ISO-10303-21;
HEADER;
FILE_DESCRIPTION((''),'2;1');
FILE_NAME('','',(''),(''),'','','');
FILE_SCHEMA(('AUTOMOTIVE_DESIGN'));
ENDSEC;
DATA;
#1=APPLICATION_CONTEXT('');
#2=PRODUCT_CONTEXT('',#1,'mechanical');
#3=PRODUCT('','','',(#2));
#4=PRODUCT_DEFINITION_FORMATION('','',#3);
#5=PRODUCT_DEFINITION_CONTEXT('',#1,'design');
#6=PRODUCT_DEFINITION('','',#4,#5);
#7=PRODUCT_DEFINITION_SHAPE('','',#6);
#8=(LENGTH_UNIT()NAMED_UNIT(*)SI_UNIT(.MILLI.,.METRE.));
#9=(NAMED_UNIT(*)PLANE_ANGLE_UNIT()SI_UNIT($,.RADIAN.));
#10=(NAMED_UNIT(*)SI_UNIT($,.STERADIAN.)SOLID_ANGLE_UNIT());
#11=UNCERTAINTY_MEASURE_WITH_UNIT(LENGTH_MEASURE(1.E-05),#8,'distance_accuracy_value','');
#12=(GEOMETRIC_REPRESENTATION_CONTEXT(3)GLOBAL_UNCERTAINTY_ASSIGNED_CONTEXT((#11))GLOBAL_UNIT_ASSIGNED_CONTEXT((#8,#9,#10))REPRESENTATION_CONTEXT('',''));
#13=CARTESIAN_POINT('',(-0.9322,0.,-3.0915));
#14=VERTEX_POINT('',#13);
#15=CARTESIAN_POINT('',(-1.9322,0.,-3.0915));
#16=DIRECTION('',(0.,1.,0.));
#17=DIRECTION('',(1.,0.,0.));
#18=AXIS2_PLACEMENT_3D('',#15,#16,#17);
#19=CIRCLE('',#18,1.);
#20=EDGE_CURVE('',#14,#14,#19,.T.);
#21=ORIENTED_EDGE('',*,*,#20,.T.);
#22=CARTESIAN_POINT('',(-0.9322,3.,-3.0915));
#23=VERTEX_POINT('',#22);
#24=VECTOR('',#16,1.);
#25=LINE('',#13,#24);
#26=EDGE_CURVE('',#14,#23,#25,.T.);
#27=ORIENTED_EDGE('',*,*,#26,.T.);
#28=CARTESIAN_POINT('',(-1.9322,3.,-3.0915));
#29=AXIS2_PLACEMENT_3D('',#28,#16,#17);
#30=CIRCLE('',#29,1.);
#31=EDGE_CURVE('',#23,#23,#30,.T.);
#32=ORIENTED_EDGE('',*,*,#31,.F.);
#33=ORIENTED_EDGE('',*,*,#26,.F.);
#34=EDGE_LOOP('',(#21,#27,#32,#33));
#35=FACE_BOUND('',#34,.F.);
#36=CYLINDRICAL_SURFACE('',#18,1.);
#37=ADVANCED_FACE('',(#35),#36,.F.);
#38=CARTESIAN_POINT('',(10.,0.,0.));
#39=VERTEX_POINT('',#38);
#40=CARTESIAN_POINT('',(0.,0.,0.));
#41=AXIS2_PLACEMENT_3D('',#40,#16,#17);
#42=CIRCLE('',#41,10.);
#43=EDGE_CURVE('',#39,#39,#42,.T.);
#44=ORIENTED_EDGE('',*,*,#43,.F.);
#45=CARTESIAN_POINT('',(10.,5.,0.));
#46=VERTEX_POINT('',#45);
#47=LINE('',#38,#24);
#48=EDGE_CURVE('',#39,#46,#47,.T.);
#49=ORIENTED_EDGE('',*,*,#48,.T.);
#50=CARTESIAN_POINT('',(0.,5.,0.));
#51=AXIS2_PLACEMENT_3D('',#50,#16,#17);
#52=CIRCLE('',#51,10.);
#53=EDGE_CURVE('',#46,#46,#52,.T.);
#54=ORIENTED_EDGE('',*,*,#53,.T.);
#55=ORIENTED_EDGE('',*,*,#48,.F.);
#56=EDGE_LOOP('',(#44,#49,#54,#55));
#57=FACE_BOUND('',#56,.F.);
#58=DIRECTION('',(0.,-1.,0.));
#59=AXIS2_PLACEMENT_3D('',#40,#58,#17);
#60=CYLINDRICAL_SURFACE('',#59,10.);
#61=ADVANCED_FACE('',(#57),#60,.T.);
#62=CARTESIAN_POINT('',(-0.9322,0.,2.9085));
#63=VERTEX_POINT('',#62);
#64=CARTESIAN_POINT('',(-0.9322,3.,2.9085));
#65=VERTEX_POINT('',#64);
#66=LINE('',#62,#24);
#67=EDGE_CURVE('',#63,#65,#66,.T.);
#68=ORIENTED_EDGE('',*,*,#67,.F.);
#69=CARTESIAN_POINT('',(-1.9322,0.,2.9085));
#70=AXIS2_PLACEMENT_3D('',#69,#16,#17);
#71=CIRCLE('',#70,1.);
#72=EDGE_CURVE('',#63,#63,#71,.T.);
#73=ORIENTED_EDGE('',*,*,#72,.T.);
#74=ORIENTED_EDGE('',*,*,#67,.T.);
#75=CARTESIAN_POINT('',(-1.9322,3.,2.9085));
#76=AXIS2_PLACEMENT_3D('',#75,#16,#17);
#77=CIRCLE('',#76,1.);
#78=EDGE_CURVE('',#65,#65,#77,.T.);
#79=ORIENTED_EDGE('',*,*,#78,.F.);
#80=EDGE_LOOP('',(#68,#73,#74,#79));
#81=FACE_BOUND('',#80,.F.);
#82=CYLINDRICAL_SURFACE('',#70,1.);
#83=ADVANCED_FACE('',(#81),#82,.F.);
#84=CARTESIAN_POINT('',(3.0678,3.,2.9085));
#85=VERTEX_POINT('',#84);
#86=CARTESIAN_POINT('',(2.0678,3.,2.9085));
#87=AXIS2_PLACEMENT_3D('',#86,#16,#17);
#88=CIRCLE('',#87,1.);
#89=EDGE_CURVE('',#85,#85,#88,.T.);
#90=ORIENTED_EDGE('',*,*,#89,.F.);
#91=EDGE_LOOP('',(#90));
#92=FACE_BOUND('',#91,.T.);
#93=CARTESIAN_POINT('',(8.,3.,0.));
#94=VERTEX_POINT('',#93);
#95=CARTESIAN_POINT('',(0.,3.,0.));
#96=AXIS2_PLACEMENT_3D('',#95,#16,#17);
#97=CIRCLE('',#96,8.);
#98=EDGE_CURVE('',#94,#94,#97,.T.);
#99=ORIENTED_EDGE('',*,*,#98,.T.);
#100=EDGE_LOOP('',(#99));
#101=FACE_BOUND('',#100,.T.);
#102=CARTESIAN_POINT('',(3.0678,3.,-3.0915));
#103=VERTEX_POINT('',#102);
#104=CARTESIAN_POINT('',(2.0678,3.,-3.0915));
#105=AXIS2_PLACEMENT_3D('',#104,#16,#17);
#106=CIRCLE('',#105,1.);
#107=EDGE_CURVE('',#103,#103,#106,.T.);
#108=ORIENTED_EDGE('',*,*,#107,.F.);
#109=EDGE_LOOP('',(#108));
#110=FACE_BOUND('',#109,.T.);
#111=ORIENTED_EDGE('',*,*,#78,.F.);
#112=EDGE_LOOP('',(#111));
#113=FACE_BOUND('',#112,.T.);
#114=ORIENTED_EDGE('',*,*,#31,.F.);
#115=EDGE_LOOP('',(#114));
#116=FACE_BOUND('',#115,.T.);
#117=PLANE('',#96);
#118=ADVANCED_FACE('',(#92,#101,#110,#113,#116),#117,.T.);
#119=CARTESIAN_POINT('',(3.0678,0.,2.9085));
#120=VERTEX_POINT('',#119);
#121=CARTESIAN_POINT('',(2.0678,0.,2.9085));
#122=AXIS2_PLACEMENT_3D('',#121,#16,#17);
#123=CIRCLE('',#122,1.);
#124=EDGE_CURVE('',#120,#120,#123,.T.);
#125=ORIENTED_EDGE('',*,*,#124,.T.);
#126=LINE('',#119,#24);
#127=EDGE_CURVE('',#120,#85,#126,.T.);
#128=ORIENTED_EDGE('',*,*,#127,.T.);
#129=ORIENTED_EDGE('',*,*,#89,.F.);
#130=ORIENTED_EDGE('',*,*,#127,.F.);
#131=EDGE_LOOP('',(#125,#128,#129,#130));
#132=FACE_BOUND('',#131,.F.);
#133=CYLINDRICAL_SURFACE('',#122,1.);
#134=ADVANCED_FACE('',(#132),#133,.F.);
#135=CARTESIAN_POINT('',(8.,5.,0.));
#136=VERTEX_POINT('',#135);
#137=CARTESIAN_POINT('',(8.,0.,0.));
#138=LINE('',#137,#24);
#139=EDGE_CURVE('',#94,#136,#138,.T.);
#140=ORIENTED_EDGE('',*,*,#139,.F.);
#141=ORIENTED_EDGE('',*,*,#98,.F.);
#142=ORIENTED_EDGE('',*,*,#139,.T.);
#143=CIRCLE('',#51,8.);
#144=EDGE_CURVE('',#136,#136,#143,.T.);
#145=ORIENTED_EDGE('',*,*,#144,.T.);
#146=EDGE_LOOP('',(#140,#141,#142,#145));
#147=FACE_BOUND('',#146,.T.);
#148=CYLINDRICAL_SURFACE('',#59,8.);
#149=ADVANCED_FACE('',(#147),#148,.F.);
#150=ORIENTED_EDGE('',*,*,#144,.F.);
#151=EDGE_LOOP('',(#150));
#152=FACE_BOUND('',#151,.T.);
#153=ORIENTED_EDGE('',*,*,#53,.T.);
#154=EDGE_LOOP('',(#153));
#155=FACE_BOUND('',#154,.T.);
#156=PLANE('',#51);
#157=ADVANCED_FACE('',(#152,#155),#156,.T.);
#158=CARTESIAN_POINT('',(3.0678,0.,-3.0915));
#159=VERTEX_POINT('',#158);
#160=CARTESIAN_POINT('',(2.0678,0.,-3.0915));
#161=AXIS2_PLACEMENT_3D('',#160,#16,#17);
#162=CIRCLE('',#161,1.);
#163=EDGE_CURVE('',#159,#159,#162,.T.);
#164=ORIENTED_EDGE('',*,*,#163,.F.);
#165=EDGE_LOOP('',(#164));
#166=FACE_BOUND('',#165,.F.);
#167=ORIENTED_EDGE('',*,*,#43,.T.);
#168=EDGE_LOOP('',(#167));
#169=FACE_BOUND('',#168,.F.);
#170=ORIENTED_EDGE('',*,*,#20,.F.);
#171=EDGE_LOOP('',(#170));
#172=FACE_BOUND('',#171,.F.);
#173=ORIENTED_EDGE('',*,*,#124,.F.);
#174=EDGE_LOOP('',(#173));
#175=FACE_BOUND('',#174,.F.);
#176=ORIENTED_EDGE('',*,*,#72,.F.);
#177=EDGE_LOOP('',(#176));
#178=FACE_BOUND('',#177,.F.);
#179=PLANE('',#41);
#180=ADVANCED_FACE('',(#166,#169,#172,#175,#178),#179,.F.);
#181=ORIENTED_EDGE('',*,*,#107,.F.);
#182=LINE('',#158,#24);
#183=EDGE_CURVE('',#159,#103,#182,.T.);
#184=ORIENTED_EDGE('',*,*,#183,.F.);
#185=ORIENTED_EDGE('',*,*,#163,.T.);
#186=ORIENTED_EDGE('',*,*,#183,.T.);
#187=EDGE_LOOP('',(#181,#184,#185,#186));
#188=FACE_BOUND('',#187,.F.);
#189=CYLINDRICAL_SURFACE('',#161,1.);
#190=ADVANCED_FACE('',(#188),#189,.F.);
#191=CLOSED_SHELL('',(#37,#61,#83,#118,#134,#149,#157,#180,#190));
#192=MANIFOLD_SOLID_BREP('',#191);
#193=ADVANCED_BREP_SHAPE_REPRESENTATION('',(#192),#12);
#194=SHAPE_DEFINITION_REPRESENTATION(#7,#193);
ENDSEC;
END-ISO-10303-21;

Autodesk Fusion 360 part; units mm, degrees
sketch "草图1" plane through (0, 0, 0) normal (0, 1, 0) x (1, 0, 0)
  circle A0 centre (0, 0) radius 10
  circle A1 centre (0, 0) radius 8
  dimension "d1" = 2
extrude "拉伸1" add sketch "草图1" along normal blind 3 contours A1 makes body 1
extrude "拉伸2" add sketch "草图1" along normal blind 5 separate body makes body 2
cylinder "圆柱体基本要素1" add diameter 2 height 20 placed x (1, 0, 0) y (0, 0, -1) z (0, 1, 0) at (20, 0, 1) separate body makes body 3
move_body "对齐1" bodies 3 to x (1, 0, 0) y (0, 1, 0) z (0, 0, 1) at (-20, 0, -1)
pattern_linear "R-阵列1" count 2 spacing 6 along (0, 0, 1) count 2 spacing 4 along (1, 0, 0) of bodies 3 makes body 4 at (0.995, 13.3333, 6.0996) makes body 5 at (4.995, 13.3333, 0.0996) makes body 6 at (4.995, 13.3333, 6.0996)
move_body "移动1" bodies 3 4 5 6 to x (1, 0, 0) y (0, 1, 0) z (0, 0, 1) at (-1.9322, 0, -3.0915)
combine "合并1" operation cut target body 1 tool bodies 3 4 5 6
combine "合并2" operation add target body 2 tool bodies 1
